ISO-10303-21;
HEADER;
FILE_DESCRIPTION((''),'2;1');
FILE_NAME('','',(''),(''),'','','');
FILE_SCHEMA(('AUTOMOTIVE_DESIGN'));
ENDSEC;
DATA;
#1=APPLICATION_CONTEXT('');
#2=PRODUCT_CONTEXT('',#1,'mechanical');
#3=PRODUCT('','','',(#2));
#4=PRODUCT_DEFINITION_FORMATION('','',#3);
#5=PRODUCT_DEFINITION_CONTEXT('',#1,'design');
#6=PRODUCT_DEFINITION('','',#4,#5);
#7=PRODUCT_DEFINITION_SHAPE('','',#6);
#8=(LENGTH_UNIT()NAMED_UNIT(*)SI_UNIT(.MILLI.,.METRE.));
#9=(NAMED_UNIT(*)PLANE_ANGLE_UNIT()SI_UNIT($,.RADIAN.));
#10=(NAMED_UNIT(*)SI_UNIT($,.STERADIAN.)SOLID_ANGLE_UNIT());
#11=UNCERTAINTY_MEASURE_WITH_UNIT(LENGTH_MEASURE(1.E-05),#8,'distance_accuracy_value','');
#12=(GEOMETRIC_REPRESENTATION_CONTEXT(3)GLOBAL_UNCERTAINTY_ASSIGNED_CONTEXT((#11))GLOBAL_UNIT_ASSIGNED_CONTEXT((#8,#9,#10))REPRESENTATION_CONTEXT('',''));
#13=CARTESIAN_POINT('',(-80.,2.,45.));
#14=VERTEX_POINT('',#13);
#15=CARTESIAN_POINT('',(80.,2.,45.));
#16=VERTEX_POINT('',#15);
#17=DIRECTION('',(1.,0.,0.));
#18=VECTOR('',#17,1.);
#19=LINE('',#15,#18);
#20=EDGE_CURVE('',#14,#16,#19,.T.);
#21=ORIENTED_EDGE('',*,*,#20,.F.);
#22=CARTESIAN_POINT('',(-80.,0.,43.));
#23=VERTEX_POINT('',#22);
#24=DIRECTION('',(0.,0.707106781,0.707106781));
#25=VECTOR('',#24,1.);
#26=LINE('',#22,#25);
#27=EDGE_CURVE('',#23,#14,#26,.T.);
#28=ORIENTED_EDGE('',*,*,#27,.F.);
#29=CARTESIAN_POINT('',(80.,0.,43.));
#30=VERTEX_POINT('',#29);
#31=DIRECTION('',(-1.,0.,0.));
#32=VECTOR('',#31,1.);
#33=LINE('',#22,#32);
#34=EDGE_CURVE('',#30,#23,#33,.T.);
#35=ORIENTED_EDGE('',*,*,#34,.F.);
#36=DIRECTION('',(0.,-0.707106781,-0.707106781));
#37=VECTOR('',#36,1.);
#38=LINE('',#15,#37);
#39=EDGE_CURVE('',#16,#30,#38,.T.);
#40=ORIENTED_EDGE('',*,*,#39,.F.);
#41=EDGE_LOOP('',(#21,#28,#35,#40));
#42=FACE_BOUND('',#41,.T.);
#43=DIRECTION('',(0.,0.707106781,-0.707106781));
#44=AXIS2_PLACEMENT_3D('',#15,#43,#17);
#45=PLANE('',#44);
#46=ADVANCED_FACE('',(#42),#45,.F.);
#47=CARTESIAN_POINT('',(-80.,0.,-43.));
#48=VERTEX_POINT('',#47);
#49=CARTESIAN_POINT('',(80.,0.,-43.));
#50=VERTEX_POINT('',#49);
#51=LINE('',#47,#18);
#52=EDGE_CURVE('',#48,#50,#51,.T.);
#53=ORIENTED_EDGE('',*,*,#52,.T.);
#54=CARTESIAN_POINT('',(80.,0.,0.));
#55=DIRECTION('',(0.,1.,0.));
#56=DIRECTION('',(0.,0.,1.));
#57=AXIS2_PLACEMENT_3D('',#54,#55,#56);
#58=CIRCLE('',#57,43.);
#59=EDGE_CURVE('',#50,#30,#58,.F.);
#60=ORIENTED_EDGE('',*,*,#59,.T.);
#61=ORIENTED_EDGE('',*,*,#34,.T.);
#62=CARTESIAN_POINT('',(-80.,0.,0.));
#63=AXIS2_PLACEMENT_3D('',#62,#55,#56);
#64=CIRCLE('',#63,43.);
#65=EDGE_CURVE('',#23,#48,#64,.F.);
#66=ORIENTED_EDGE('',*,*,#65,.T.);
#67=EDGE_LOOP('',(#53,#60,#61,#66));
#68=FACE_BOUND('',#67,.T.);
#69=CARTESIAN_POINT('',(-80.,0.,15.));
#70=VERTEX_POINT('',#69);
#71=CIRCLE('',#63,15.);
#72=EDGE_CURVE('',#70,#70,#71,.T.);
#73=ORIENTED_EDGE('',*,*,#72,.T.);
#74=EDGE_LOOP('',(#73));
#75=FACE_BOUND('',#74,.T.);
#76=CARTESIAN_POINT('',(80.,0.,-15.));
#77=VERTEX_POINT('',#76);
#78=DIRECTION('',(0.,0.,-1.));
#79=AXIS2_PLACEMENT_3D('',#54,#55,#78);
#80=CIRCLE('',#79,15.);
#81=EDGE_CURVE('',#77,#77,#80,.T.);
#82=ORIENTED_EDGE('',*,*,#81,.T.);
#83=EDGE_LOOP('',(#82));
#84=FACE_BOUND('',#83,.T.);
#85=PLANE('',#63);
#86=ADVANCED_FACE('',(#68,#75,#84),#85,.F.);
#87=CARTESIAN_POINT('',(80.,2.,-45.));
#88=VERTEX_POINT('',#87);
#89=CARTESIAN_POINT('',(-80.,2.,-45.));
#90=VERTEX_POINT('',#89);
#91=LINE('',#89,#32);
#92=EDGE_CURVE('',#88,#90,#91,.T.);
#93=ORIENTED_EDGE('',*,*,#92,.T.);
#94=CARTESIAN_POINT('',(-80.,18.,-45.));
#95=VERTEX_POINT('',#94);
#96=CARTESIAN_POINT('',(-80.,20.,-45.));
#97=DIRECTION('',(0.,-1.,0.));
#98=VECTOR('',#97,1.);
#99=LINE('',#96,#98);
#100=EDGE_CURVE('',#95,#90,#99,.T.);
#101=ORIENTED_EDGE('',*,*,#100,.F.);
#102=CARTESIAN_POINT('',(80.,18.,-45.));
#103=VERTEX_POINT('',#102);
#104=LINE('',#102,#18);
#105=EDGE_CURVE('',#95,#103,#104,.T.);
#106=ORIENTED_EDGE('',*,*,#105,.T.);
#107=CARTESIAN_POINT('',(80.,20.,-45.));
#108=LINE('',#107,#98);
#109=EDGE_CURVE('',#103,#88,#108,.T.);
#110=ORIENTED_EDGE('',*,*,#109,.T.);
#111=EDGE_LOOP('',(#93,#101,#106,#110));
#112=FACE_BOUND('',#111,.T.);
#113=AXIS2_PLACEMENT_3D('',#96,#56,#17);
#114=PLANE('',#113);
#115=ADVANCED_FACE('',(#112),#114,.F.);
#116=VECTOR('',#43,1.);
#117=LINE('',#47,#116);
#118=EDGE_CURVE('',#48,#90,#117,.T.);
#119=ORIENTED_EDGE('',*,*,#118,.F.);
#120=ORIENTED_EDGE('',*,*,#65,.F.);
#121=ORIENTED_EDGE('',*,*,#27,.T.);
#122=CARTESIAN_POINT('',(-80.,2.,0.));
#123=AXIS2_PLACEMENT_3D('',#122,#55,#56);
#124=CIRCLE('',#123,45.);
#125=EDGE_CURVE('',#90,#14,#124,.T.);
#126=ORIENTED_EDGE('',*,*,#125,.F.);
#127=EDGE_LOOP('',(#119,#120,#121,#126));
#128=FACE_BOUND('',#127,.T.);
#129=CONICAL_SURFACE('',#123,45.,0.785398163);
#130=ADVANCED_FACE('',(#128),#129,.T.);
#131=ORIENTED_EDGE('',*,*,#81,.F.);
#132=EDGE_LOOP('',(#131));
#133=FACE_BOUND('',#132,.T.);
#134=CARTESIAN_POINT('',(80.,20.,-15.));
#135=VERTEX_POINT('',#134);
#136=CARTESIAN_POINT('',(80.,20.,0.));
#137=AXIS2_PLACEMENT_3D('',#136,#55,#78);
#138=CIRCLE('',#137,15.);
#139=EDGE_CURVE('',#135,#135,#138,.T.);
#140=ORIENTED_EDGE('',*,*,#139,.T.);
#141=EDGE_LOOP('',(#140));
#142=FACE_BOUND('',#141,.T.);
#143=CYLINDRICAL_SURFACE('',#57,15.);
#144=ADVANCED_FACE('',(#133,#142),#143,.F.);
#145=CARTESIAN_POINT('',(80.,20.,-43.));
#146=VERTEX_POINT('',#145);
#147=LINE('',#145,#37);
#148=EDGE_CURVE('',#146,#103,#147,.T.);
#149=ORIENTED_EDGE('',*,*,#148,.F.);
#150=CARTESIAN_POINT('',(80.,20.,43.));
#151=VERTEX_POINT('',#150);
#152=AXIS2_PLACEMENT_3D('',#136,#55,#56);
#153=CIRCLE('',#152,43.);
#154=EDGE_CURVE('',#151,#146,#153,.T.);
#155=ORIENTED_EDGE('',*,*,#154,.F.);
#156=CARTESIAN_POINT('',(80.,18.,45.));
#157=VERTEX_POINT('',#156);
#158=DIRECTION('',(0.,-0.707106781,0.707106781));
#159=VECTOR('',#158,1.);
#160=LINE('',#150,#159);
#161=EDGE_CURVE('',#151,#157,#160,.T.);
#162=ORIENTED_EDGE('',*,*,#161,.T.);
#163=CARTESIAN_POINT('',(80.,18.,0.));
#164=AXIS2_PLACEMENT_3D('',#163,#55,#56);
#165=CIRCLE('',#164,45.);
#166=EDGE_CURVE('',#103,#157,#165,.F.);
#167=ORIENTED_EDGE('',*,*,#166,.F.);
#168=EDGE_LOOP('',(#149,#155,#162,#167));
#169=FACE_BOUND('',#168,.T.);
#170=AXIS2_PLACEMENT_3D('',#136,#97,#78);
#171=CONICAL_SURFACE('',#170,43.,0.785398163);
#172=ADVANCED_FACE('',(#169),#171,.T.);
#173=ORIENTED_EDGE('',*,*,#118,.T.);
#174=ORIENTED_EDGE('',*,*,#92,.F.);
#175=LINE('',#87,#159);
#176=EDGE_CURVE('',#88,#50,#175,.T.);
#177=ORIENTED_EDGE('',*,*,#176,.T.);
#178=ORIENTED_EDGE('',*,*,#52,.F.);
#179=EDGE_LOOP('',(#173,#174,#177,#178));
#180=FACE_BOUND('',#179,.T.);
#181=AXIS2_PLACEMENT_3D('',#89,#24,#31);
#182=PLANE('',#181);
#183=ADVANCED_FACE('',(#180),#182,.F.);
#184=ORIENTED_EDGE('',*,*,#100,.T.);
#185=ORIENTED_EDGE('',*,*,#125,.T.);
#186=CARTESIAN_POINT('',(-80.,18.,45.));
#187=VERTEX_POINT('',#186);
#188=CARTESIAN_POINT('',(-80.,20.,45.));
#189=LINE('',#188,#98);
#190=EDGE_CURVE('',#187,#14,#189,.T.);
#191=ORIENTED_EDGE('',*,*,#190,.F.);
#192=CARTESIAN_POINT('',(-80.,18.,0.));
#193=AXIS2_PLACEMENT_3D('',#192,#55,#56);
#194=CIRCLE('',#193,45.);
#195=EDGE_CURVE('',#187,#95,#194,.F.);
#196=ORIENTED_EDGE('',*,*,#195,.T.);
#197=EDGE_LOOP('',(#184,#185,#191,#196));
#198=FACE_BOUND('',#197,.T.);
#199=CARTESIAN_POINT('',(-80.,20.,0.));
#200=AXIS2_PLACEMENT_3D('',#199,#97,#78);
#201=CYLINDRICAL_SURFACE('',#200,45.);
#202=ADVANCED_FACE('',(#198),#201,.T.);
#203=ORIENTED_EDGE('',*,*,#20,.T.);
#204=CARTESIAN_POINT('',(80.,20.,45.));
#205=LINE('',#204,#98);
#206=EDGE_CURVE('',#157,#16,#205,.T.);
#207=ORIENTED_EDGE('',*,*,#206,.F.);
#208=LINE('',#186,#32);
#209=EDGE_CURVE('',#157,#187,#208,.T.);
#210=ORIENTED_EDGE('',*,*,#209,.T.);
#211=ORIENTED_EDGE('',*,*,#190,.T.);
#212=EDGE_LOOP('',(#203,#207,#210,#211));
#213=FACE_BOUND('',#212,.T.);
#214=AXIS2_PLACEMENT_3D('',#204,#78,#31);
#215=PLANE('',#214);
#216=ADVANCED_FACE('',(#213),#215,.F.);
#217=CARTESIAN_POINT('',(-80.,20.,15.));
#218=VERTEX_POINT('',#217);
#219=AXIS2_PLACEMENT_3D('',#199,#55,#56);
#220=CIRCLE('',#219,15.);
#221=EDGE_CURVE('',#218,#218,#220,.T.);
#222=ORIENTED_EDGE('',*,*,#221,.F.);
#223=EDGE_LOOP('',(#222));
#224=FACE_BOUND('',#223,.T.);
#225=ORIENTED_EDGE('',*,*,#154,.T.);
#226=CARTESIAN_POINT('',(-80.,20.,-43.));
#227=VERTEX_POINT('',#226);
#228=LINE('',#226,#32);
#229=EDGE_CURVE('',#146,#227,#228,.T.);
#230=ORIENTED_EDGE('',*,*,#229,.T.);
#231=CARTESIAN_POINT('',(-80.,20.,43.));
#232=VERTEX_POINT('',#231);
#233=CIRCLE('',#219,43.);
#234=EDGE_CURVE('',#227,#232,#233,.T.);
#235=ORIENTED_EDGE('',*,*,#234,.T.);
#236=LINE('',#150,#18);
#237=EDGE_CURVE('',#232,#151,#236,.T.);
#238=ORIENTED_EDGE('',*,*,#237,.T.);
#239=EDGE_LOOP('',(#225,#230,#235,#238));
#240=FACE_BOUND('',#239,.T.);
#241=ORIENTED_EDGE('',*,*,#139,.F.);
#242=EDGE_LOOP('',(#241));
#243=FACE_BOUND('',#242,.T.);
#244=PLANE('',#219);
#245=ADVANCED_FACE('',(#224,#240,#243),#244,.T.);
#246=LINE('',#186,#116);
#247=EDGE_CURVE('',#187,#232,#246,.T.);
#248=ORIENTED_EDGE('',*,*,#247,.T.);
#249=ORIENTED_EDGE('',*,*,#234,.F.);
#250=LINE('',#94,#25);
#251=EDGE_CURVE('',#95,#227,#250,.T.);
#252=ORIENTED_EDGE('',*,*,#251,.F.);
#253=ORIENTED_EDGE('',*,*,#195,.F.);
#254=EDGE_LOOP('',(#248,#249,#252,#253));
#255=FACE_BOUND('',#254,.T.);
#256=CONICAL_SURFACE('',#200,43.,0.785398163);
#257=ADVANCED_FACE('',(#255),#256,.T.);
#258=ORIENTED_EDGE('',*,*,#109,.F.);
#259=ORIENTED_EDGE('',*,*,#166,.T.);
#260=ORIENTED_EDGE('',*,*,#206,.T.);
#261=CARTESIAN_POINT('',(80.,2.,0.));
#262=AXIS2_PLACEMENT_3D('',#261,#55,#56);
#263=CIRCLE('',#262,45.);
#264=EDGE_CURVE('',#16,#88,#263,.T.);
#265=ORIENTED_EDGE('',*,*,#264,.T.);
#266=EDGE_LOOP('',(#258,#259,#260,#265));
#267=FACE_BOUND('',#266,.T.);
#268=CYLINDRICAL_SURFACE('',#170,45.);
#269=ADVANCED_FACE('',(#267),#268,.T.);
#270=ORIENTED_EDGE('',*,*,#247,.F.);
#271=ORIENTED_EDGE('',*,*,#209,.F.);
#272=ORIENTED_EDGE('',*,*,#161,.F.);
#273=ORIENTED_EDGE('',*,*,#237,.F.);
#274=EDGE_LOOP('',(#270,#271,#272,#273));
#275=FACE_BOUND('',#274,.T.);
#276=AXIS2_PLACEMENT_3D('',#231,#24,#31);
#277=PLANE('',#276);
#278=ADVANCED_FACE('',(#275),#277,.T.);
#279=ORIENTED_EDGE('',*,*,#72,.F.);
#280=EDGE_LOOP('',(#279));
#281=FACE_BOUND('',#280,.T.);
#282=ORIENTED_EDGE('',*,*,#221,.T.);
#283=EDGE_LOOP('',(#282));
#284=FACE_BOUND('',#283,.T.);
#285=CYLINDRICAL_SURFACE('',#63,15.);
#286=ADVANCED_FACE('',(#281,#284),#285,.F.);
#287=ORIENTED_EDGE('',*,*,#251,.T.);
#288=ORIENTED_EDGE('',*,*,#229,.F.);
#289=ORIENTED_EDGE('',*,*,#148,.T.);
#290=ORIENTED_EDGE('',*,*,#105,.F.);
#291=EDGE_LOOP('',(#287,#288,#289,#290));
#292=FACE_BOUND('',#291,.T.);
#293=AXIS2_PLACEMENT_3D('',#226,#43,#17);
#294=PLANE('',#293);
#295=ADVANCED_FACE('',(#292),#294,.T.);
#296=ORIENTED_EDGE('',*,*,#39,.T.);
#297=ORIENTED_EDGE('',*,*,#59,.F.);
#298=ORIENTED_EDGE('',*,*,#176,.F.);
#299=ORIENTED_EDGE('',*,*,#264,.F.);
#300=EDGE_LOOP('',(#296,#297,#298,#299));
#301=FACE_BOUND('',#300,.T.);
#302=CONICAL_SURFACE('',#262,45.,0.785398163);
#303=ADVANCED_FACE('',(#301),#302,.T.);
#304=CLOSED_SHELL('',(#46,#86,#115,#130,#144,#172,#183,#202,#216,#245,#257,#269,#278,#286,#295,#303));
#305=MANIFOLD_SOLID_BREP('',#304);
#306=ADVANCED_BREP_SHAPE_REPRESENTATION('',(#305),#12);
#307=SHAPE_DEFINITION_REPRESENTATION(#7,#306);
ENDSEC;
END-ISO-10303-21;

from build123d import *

# Parameters (mm, degrees)
BOSS_EXTRUDE1_DEPTH = 20
SKETCH2_R           = 15
CUT_EXTRUDE1_DEPTH  = 21
CHAMFER1_SIZE       = 2


with BuildPart() as part:
    # Sketch1 → Boss-Extrude1 (new body)
    with BuildSketch(Plane(origin=(0, 0, 0), x_dir=(1, 0, 0), z_dir=(0, 1, 0))):
        with BuildLine():
            Line((-80, 45), (80, 45))
            ThreePointArc((80, 45), (125, 0), (80, -45))
            Line((80, -45), (-80, -45))
            ThreePointArc((-80, -45), (-125, 0), (-80, 45))
        make_face()
    extrude(amount=BOSS_EXTRUDE1_DEPTH)

    # Sketch2 → Cut-Extrude1 (cut, through all)
    with BuildSketch(Plane(origin=(0, 20, 0), x_dir=(1, 0, 0), z_dir=(0, 1, 0))):
        with Locations((-80, 0)):
            Circle(SKETCH2_R)
        with Locations((80, 0)):
            Circle(SKETCH2_R)
    extrude(amount=-CUT_EXTRUDE1_DEPTH, mode=Mode.SUBTRACT)

    # Chamfer1
    chamfer1_edges = [part.edges().sort_by_distance(p)[0] for p in [
        (125, 20, 0),
        (0, 20, -45),
        (-125, 20, 0),
        (0, 0, -45),
        (125, 0, 0),
        (0, 0, 45),
        (-125, 0, 0),
        (0, 20, 45),
    ]]
    chamfer(chamfer1_edges, length=CHAMFER1_SIZE)


solid = part.part
